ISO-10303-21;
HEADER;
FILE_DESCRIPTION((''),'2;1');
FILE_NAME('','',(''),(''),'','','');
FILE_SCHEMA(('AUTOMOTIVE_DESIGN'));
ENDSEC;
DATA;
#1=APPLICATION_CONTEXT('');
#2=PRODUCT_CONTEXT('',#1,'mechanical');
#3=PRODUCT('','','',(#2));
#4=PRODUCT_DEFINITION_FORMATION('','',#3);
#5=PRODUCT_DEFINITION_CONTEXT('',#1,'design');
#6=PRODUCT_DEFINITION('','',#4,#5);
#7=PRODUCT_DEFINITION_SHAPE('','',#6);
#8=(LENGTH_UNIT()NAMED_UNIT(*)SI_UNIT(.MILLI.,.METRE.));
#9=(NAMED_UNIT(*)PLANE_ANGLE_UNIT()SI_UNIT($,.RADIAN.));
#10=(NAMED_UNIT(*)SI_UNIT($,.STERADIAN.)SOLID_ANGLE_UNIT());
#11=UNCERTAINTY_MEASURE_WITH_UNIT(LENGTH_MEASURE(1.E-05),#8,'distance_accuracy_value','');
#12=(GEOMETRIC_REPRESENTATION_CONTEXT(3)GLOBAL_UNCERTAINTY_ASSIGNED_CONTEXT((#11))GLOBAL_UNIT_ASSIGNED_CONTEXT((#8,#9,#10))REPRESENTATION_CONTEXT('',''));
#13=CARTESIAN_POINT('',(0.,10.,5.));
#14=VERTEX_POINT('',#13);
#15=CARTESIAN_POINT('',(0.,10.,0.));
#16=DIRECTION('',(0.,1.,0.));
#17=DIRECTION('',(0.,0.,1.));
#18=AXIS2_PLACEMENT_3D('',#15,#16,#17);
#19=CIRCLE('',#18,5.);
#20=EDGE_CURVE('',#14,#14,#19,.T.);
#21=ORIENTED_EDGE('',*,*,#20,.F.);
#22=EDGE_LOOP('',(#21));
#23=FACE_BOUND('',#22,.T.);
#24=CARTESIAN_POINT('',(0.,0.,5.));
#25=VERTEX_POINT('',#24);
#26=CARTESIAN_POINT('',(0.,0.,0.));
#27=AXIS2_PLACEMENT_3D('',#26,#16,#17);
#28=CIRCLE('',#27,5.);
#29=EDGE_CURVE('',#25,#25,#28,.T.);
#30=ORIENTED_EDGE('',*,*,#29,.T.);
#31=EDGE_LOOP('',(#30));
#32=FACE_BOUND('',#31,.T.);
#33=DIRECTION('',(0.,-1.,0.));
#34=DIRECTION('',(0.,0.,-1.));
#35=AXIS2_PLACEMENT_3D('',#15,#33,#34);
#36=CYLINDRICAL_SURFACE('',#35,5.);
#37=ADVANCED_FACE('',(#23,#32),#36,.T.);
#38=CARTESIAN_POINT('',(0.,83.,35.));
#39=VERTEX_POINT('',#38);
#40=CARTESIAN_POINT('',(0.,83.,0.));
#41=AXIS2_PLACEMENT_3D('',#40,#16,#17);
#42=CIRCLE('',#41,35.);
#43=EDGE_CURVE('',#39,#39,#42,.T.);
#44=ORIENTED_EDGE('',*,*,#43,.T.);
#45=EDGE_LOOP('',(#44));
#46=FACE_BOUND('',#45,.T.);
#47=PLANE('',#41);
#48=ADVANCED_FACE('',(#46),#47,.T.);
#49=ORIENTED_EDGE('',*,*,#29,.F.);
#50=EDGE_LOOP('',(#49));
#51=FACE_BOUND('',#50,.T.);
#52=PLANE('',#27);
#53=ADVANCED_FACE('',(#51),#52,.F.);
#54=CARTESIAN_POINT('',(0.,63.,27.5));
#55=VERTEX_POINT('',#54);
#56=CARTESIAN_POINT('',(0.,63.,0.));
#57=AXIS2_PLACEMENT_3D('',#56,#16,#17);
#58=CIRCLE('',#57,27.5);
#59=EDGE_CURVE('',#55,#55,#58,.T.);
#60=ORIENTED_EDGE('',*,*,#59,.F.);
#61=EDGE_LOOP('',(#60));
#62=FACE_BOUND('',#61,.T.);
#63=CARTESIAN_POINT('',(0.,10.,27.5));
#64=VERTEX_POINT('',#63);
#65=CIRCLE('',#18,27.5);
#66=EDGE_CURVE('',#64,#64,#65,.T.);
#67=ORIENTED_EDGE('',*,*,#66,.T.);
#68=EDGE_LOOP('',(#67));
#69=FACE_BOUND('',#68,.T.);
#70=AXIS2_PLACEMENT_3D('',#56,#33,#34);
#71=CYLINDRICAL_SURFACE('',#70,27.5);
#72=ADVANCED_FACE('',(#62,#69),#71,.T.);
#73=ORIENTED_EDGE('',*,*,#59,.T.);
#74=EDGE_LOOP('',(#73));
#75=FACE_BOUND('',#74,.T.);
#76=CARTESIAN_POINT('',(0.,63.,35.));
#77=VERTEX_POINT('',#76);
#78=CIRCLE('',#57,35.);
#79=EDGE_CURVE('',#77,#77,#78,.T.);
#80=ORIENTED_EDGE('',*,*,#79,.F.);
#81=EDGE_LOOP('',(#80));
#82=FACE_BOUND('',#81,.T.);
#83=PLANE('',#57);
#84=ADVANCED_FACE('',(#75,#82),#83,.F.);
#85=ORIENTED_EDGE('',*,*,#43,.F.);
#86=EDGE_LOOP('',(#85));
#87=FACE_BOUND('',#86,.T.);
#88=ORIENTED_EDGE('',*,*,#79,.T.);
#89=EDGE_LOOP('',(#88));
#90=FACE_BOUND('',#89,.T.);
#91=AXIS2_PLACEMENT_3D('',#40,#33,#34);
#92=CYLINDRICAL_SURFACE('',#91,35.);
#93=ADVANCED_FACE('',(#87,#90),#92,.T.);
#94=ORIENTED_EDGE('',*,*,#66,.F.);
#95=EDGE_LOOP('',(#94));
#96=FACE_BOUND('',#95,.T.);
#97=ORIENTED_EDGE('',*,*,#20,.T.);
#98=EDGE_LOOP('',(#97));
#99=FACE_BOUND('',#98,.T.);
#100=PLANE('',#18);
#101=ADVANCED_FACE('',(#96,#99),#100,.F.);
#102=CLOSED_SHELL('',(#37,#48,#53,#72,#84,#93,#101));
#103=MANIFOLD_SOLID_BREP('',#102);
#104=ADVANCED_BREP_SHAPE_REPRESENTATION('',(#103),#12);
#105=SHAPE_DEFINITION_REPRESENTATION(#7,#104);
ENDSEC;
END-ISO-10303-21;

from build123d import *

# Parameters (mm, degrees)
SKETCH1_R           = 5
BOSS_EXTRUDE1_DEPTH = 10
SKETCH2_R           = 27.5
BOSS_EXTRUDE2_DEPTH = 53
SKETCH3_R           = 35
BOSS_EXTRUDE3_DEPTH = 20


with BuildPart() as part:
    # Sketch1 → Boss-Extrude1 (new body)
    with BuildSketch(Plane(origin=(0, 0, 0), x_dir=(1, 0, 0), z_dir=(0, 1, 0))):
        with Locations(Location((0, 0, 0), (0, 0, 270))):
            Circle(SKETCH1_R)
    extrude(amount=BOSS_EXTRUDE1_DEPTH)

    # Sketch2 → Boss-Extrude2 (add)
    with BuildSketch(Plane(origin=(0, 10, 0), x_dir=(1, 0, 0), z_dir=(0, 1, 0))):
        with Locations(Location((0, 0, 0), (0, 0, 270))):
            Circle(SKETCH2_R)
    extrude(amount=BOSS_EXTRUDE2_DEPTH)

    # Sketch3 → Boss-Extrude3 (add)
    with BuildSketch(Plane(origin=(0, 63, 0), x_dir=(1, 0, 0), z_dir=(0, 1, 0))):
        with Locations(Location((0, 0, 0), (0, 0, 270))):
            Circle(SKETCH3_R)
    extrude(amount=BOSS_EXTRUDE3_DEPTH)


solid = part.part
